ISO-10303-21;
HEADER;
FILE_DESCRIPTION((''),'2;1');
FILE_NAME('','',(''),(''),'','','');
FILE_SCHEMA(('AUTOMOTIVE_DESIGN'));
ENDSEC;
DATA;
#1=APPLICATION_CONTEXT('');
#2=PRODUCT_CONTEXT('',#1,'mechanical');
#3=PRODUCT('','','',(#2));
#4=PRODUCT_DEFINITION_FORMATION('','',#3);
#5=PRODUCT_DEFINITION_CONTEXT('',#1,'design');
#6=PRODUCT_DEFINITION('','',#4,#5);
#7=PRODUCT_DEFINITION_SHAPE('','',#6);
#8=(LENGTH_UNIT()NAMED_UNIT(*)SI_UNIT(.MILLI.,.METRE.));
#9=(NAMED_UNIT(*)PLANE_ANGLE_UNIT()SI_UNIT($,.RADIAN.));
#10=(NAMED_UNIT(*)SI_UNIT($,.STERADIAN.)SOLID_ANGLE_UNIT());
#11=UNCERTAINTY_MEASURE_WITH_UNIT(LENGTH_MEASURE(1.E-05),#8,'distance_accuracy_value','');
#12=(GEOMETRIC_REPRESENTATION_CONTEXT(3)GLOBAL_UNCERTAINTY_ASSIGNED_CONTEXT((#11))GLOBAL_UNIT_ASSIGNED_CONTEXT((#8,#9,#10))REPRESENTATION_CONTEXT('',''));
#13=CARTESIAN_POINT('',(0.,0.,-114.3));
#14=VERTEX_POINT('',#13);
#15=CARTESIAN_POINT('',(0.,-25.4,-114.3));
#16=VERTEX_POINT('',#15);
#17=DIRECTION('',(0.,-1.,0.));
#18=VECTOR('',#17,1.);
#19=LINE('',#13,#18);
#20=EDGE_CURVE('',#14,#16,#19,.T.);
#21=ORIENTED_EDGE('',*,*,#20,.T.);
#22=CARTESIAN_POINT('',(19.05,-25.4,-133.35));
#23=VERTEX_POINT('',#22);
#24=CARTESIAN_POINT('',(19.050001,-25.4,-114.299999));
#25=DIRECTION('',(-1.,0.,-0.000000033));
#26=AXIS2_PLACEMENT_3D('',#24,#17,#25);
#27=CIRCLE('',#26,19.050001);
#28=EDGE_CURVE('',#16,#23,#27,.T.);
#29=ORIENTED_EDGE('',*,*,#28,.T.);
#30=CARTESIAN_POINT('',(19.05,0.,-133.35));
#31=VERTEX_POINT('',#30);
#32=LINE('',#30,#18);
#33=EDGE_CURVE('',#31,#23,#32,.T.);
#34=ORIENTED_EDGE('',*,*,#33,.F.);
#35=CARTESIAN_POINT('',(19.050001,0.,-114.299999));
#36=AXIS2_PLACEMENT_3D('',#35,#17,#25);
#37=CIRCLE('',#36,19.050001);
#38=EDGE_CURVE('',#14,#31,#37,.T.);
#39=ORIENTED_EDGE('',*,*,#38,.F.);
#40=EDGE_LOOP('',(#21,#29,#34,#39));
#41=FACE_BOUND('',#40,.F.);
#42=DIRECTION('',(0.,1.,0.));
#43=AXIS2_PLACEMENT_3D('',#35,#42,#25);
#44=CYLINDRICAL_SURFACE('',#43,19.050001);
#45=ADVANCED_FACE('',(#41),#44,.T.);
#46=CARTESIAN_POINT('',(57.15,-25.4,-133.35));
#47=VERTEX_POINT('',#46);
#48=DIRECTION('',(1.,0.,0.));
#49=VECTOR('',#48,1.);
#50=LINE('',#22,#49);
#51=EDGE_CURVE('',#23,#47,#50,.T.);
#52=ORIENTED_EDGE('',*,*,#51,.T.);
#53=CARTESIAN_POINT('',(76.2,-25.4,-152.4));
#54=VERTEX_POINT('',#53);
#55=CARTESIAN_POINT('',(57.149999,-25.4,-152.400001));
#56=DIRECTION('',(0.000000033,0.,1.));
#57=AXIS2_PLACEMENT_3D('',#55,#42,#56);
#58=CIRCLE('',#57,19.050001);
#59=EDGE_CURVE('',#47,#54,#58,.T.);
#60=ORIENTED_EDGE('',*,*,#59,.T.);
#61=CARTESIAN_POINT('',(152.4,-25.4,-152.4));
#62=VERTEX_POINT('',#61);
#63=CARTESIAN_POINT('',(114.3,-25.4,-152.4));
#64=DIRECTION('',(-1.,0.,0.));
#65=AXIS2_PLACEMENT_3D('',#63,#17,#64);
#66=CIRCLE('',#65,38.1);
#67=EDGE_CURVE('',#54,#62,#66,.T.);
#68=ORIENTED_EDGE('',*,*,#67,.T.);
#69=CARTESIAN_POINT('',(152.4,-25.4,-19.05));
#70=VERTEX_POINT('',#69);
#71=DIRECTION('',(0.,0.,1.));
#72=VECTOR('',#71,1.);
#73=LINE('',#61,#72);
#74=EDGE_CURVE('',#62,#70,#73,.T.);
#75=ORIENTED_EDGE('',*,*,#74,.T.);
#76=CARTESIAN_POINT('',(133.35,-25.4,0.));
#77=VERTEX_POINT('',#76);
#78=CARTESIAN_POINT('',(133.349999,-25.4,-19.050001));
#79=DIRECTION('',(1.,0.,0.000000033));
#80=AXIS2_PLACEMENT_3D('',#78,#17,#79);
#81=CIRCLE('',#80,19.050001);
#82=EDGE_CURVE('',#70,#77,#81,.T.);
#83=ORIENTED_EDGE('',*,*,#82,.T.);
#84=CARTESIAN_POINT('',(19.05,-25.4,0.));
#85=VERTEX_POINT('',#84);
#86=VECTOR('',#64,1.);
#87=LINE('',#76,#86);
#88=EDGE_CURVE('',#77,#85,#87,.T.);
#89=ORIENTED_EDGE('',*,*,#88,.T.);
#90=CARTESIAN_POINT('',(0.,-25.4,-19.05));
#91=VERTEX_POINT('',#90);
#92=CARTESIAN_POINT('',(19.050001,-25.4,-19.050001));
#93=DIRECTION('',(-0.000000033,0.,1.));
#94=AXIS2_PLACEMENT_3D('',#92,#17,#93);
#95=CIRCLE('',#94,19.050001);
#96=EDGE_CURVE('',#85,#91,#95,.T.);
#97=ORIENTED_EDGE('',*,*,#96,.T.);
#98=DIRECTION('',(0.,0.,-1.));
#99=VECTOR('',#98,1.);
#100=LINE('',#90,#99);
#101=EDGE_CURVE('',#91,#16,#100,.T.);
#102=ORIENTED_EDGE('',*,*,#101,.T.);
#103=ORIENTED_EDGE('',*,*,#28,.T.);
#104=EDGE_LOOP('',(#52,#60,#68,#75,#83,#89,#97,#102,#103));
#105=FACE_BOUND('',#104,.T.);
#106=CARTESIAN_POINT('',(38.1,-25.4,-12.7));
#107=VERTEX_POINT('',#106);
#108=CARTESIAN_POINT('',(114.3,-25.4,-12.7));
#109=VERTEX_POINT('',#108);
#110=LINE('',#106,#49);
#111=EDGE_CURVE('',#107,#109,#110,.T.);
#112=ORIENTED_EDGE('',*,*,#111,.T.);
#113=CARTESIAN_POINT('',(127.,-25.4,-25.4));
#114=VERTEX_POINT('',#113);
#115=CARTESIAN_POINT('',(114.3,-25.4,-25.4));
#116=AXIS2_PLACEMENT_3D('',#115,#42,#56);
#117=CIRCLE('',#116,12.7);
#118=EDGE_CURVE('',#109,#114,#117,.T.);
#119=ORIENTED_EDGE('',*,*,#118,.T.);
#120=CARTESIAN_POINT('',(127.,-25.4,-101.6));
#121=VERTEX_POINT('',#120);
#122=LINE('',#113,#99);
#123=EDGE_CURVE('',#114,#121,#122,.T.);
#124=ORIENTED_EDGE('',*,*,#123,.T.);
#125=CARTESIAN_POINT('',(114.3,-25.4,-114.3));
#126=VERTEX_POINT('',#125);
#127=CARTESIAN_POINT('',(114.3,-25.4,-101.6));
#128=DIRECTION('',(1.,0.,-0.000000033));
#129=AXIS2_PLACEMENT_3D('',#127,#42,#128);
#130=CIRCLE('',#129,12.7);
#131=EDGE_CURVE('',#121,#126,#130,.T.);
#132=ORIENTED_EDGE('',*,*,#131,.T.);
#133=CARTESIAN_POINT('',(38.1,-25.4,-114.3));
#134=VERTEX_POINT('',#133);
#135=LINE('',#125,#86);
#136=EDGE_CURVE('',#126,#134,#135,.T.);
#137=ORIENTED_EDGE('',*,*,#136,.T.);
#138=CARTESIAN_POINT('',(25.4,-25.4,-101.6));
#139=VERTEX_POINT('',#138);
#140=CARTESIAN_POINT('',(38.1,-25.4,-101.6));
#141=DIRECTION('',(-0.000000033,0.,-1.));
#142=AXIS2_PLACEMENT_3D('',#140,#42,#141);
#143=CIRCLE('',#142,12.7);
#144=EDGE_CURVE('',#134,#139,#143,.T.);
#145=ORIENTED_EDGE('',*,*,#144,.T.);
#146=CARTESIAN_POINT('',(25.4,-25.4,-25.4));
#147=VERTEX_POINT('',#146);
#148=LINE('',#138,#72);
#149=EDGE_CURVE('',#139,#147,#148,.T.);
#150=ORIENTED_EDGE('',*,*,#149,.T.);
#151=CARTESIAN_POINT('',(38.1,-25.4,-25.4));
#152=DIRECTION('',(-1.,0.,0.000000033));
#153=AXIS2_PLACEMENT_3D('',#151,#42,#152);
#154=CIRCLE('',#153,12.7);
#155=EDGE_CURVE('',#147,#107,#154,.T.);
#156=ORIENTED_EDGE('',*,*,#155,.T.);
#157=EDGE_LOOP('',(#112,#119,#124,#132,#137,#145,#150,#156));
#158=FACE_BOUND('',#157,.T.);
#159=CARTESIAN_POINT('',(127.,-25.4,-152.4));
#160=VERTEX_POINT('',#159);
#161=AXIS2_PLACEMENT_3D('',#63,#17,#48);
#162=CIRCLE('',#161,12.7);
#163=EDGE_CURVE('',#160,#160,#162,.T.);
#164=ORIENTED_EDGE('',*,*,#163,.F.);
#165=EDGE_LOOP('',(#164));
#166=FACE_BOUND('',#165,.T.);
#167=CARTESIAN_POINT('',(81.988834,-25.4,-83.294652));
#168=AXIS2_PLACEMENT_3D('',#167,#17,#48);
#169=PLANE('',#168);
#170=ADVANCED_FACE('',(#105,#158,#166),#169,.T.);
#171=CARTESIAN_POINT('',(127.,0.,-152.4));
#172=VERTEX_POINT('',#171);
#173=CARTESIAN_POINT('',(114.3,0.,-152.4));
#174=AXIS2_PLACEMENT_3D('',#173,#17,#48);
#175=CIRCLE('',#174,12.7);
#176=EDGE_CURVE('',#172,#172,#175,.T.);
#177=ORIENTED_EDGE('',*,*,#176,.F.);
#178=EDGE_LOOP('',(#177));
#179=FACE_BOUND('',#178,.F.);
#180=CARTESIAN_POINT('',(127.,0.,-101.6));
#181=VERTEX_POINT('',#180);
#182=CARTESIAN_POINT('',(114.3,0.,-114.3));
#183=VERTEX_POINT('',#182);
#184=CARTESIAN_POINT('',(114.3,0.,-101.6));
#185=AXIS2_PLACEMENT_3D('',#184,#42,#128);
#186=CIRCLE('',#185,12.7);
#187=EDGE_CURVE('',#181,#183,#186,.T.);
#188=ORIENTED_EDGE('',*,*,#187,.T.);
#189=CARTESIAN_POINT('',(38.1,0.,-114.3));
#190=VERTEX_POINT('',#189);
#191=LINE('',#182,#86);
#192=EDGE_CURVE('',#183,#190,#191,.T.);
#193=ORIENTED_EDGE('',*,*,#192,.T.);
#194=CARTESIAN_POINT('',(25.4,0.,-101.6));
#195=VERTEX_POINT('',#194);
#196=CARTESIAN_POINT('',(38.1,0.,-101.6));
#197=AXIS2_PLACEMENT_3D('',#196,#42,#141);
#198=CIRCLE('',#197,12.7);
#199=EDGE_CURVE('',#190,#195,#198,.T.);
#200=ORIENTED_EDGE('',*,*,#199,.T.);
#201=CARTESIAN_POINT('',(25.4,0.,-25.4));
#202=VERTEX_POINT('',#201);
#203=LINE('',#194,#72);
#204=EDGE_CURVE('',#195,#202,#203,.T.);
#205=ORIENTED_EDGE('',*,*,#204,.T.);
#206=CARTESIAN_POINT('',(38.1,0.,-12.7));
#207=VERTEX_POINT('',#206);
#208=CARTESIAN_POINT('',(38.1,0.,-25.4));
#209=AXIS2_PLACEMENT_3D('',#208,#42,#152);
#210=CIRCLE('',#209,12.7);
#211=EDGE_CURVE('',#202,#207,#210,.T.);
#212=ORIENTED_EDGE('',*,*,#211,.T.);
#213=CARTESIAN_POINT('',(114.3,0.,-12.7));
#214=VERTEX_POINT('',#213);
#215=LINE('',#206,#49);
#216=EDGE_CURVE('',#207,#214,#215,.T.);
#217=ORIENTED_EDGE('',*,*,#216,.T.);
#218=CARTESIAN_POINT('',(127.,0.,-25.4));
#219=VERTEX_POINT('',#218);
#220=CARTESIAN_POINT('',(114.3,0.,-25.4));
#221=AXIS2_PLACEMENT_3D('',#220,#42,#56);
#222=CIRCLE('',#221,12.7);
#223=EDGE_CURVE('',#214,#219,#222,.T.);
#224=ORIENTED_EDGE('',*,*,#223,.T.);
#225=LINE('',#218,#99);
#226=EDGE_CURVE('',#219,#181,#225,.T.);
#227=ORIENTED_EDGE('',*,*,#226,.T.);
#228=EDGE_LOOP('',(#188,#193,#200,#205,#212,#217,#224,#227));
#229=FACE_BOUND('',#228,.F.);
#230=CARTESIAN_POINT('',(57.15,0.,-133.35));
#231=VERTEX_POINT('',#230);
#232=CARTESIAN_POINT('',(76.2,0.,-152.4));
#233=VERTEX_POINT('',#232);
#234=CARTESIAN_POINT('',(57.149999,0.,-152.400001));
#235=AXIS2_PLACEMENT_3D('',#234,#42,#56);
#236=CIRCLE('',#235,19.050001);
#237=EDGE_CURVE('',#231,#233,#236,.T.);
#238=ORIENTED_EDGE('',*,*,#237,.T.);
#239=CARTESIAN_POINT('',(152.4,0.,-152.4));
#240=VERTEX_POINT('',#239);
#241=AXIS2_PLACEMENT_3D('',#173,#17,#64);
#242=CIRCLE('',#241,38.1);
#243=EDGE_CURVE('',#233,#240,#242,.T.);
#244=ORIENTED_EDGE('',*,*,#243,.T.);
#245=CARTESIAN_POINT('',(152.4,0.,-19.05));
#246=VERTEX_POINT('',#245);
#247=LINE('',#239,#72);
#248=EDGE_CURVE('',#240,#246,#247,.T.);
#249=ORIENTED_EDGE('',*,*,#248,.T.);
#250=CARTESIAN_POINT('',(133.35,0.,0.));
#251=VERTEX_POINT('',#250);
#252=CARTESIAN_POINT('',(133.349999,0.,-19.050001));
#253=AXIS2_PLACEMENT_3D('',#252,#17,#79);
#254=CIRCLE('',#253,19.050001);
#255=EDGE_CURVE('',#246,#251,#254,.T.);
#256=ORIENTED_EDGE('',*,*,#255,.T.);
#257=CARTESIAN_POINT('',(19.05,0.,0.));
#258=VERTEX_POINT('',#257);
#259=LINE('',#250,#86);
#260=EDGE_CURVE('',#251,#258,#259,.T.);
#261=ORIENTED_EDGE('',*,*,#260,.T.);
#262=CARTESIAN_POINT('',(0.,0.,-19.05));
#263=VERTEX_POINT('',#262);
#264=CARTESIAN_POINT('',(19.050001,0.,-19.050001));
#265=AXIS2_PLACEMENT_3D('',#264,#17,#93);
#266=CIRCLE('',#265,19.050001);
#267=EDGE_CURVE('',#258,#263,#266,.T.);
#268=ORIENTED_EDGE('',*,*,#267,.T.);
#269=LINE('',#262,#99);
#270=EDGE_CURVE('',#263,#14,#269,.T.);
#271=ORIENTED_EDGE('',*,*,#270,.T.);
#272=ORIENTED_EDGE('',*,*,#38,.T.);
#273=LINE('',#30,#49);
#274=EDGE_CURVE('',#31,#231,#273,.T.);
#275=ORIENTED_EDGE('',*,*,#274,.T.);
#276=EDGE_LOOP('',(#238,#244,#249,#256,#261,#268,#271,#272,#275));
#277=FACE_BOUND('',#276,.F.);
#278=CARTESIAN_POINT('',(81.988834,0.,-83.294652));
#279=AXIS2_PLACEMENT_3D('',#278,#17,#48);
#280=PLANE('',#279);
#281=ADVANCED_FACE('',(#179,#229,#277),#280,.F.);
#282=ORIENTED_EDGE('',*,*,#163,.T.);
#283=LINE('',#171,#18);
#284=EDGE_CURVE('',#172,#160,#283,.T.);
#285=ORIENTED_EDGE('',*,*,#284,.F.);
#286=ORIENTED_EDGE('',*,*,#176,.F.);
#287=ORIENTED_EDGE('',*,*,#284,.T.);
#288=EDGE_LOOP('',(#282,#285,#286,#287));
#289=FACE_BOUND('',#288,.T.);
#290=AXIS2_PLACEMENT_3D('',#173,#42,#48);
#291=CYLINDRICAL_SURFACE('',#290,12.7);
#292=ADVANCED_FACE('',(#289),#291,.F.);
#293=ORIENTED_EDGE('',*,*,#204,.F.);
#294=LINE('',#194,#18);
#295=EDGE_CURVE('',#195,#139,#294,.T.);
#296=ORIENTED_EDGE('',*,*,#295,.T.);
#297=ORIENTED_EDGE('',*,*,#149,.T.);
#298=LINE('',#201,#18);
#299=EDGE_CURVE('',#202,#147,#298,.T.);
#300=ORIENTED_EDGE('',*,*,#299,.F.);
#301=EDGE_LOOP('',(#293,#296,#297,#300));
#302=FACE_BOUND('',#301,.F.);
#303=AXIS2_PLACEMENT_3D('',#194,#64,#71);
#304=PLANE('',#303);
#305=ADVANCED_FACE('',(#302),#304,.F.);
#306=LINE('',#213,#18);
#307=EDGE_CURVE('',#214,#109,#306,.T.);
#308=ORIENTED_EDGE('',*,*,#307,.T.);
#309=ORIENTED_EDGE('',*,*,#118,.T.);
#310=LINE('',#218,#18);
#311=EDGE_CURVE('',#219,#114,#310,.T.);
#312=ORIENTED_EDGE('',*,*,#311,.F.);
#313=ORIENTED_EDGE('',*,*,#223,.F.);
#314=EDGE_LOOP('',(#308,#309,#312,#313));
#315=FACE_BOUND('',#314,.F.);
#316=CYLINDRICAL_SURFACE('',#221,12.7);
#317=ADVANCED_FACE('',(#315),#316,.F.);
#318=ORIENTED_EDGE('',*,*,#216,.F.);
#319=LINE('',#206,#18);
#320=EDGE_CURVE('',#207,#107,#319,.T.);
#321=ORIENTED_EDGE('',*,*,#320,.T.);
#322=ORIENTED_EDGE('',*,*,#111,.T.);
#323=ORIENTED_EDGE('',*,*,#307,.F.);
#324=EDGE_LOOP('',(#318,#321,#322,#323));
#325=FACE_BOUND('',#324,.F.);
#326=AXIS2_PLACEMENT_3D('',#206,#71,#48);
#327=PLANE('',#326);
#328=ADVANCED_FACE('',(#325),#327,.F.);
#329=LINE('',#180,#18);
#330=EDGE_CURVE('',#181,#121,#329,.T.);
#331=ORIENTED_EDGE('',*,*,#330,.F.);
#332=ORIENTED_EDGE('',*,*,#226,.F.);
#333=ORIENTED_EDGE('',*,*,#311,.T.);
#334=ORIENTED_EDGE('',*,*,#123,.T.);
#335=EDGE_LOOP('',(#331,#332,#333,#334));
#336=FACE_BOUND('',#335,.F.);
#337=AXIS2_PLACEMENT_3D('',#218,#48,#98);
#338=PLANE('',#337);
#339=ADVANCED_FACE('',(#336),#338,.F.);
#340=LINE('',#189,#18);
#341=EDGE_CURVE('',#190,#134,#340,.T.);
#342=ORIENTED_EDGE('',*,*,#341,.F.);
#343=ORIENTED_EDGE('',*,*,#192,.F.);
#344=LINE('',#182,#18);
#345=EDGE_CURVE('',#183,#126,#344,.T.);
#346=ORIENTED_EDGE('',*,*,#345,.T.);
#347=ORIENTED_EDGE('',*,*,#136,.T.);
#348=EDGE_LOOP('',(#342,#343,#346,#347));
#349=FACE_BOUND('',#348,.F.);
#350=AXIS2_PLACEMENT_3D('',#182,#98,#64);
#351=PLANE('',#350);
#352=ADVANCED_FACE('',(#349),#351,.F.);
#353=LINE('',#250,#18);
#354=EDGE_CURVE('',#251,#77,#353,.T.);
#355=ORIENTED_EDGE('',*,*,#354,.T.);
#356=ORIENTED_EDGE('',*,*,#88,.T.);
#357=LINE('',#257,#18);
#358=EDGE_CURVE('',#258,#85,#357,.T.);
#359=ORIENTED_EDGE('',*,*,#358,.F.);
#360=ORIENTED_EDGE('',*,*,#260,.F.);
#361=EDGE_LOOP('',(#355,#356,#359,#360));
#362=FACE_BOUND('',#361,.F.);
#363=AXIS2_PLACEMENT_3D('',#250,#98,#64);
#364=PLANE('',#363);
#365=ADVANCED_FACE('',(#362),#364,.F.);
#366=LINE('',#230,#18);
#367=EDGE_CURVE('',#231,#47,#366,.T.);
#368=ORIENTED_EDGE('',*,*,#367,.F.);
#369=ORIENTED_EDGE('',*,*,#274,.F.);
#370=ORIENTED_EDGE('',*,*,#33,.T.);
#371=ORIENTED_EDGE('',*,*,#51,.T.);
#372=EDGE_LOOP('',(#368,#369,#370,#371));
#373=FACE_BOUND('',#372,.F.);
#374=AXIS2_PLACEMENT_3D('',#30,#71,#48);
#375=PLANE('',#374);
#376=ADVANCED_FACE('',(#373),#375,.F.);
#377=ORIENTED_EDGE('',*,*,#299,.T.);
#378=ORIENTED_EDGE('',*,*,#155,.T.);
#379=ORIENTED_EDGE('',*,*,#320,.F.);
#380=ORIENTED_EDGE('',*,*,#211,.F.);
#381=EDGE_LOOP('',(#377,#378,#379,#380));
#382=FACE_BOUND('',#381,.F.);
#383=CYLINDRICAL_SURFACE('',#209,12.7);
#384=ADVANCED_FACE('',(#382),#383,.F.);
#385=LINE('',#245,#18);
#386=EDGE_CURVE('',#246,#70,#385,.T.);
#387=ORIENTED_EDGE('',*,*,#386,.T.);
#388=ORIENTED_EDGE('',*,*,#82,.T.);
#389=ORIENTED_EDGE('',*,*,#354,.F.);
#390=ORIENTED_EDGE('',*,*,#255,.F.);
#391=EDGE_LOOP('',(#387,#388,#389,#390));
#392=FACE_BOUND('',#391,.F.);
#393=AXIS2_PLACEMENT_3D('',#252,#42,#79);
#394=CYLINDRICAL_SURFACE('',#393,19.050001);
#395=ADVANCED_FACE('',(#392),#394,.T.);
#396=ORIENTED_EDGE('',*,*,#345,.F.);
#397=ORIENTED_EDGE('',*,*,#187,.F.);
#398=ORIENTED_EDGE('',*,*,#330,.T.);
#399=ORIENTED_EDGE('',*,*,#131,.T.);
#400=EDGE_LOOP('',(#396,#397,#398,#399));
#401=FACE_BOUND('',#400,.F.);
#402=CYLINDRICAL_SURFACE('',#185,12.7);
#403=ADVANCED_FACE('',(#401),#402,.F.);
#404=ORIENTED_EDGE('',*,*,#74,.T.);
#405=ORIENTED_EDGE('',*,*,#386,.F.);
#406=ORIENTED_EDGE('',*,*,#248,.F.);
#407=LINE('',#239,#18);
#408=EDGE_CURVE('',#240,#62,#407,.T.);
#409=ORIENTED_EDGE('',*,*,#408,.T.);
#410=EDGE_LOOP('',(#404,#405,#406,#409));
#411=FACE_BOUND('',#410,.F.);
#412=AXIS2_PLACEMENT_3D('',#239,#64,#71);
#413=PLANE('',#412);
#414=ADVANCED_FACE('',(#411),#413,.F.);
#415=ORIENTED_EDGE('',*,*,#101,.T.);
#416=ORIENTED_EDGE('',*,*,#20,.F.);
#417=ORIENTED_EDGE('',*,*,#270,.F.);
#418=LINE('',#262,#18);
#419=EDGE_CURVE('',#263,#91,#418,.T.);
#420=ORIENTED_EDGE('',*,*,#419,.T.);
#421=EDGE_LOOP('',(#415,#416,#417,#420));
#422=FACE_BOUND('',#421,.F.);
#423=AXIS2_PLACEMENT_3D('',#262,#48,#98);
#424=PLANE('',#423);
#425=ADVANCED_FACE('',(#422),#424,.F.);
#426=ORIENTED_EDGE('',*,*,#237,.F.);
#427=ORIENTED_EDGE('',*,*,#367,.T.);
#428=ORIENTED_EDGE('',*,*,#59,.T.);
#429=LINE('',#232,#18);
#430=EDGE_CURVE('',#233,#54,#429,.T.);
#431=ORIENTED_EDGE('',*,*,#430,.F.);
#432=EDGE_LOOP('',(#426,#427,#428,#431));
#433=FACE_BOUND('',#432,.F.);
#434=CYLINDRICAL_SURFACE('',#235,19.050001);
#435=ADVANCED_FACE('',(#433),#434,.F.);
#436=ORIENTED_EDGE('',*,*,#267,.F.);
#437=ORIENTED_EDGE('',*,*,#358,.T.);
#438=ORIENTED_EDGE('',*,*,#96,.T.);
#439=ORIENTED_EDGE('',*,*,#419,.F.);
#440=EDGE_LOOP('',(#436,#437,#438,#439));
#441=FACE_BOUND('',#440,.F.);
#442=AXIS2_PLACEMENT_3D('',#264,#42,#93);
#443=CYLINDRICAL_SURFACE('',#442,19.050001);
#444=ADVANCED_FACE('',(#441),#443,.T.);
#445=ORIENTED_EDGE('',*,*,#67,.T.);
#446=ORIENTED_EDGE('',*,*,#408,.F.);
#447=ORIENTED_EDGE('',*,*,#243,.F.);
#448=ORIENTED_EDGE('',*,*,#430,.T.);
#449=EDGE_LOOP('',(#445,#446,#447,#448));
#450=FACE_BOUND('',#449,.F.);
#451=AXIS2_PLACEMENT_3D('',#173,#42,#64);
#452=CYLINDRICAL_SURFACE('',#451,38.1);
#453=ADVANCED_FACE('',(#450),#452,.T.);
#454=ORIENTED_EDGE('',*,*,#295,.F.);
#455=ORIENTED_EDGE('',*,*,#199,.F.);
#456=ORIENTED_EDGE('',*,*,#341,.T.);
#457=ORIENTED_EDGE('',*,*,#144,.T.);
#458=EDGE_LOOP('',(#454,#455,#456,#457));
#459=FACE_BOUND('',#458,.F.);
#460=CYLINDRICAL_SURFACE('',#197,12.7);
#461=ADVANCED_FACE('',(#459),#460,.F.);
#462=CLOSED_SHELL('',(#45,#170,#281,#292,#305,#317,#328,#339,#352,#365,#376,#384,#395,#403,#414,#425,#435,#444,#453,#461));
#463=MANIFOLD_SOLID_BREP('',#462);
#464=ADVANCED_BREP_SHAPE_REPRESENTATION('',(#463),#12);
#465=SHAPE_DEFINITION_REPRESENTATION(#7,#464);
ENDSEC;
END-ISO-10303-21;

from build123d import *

# Parameters (mm, degrees)
F0_R     = 12.7
F1_DEPTH = 25.4


with BuildPart() as f1:
    # F0 (on Front) → F1 (new body)
    with BuildSketch(Plane.XZ):
        with BuildLine():
            Line((133.35, 0), (19.05, 0))
            ThreePointArc((19.05, 0), (5.579616, -5.579616), (0, -19.05))
            Line((0, -19.05), (0, -114.3))
            ThreePointArc((0, -114.3), (5.579616, -127.770384), (19.05, -133.35))
            Line((19.05, -133.35), (57.15, -133.35))
            ThreePointArc((57.15, -133.35), (70.620384, -138.929616), (76.2, -152.4))
            ThreePointArc((76.2, -152.4), (114.3, -190.5), (152.4, -152.4))
            Line((152.4, -152.4), (152.4, -19.05))
            ThreePointArc((152.4, -19.05), (146.820384, -5.579616), (133.35, 0))
        make_face()
        with Locations((114.3, -152.4)):
            Circle(F0_R, mode=Mode.SUBTRACT)
        with BuildLine():
            Line((114.3, -114.3), (38.1, -114.3))
            ThreePointArc((38.1, -114.3), (29.119744, -110.580256), (25.4, -101.6))
            Line((25.4, -101.6), (25.4, -25.4))
            ThreePointArc((25.4, -25.4), (29.119744, -16.419744), (38.1, -12.7))
            Line((38.1, -12.7), (114.3, -12.7))
            ThreePointArc((114.3, -12.7), (123.280256, -16.419744), (127, -25.4))
            Line((127, -25.4), (127, -101.6))
            ThreePointArc((127, -101.6), (123.280256, -110.580256), (114.3, -114.3))
        make_face(mode=Mode.SUBTRACT)
    extrude(amount=F1_DEPTH)


solid = f1.part
